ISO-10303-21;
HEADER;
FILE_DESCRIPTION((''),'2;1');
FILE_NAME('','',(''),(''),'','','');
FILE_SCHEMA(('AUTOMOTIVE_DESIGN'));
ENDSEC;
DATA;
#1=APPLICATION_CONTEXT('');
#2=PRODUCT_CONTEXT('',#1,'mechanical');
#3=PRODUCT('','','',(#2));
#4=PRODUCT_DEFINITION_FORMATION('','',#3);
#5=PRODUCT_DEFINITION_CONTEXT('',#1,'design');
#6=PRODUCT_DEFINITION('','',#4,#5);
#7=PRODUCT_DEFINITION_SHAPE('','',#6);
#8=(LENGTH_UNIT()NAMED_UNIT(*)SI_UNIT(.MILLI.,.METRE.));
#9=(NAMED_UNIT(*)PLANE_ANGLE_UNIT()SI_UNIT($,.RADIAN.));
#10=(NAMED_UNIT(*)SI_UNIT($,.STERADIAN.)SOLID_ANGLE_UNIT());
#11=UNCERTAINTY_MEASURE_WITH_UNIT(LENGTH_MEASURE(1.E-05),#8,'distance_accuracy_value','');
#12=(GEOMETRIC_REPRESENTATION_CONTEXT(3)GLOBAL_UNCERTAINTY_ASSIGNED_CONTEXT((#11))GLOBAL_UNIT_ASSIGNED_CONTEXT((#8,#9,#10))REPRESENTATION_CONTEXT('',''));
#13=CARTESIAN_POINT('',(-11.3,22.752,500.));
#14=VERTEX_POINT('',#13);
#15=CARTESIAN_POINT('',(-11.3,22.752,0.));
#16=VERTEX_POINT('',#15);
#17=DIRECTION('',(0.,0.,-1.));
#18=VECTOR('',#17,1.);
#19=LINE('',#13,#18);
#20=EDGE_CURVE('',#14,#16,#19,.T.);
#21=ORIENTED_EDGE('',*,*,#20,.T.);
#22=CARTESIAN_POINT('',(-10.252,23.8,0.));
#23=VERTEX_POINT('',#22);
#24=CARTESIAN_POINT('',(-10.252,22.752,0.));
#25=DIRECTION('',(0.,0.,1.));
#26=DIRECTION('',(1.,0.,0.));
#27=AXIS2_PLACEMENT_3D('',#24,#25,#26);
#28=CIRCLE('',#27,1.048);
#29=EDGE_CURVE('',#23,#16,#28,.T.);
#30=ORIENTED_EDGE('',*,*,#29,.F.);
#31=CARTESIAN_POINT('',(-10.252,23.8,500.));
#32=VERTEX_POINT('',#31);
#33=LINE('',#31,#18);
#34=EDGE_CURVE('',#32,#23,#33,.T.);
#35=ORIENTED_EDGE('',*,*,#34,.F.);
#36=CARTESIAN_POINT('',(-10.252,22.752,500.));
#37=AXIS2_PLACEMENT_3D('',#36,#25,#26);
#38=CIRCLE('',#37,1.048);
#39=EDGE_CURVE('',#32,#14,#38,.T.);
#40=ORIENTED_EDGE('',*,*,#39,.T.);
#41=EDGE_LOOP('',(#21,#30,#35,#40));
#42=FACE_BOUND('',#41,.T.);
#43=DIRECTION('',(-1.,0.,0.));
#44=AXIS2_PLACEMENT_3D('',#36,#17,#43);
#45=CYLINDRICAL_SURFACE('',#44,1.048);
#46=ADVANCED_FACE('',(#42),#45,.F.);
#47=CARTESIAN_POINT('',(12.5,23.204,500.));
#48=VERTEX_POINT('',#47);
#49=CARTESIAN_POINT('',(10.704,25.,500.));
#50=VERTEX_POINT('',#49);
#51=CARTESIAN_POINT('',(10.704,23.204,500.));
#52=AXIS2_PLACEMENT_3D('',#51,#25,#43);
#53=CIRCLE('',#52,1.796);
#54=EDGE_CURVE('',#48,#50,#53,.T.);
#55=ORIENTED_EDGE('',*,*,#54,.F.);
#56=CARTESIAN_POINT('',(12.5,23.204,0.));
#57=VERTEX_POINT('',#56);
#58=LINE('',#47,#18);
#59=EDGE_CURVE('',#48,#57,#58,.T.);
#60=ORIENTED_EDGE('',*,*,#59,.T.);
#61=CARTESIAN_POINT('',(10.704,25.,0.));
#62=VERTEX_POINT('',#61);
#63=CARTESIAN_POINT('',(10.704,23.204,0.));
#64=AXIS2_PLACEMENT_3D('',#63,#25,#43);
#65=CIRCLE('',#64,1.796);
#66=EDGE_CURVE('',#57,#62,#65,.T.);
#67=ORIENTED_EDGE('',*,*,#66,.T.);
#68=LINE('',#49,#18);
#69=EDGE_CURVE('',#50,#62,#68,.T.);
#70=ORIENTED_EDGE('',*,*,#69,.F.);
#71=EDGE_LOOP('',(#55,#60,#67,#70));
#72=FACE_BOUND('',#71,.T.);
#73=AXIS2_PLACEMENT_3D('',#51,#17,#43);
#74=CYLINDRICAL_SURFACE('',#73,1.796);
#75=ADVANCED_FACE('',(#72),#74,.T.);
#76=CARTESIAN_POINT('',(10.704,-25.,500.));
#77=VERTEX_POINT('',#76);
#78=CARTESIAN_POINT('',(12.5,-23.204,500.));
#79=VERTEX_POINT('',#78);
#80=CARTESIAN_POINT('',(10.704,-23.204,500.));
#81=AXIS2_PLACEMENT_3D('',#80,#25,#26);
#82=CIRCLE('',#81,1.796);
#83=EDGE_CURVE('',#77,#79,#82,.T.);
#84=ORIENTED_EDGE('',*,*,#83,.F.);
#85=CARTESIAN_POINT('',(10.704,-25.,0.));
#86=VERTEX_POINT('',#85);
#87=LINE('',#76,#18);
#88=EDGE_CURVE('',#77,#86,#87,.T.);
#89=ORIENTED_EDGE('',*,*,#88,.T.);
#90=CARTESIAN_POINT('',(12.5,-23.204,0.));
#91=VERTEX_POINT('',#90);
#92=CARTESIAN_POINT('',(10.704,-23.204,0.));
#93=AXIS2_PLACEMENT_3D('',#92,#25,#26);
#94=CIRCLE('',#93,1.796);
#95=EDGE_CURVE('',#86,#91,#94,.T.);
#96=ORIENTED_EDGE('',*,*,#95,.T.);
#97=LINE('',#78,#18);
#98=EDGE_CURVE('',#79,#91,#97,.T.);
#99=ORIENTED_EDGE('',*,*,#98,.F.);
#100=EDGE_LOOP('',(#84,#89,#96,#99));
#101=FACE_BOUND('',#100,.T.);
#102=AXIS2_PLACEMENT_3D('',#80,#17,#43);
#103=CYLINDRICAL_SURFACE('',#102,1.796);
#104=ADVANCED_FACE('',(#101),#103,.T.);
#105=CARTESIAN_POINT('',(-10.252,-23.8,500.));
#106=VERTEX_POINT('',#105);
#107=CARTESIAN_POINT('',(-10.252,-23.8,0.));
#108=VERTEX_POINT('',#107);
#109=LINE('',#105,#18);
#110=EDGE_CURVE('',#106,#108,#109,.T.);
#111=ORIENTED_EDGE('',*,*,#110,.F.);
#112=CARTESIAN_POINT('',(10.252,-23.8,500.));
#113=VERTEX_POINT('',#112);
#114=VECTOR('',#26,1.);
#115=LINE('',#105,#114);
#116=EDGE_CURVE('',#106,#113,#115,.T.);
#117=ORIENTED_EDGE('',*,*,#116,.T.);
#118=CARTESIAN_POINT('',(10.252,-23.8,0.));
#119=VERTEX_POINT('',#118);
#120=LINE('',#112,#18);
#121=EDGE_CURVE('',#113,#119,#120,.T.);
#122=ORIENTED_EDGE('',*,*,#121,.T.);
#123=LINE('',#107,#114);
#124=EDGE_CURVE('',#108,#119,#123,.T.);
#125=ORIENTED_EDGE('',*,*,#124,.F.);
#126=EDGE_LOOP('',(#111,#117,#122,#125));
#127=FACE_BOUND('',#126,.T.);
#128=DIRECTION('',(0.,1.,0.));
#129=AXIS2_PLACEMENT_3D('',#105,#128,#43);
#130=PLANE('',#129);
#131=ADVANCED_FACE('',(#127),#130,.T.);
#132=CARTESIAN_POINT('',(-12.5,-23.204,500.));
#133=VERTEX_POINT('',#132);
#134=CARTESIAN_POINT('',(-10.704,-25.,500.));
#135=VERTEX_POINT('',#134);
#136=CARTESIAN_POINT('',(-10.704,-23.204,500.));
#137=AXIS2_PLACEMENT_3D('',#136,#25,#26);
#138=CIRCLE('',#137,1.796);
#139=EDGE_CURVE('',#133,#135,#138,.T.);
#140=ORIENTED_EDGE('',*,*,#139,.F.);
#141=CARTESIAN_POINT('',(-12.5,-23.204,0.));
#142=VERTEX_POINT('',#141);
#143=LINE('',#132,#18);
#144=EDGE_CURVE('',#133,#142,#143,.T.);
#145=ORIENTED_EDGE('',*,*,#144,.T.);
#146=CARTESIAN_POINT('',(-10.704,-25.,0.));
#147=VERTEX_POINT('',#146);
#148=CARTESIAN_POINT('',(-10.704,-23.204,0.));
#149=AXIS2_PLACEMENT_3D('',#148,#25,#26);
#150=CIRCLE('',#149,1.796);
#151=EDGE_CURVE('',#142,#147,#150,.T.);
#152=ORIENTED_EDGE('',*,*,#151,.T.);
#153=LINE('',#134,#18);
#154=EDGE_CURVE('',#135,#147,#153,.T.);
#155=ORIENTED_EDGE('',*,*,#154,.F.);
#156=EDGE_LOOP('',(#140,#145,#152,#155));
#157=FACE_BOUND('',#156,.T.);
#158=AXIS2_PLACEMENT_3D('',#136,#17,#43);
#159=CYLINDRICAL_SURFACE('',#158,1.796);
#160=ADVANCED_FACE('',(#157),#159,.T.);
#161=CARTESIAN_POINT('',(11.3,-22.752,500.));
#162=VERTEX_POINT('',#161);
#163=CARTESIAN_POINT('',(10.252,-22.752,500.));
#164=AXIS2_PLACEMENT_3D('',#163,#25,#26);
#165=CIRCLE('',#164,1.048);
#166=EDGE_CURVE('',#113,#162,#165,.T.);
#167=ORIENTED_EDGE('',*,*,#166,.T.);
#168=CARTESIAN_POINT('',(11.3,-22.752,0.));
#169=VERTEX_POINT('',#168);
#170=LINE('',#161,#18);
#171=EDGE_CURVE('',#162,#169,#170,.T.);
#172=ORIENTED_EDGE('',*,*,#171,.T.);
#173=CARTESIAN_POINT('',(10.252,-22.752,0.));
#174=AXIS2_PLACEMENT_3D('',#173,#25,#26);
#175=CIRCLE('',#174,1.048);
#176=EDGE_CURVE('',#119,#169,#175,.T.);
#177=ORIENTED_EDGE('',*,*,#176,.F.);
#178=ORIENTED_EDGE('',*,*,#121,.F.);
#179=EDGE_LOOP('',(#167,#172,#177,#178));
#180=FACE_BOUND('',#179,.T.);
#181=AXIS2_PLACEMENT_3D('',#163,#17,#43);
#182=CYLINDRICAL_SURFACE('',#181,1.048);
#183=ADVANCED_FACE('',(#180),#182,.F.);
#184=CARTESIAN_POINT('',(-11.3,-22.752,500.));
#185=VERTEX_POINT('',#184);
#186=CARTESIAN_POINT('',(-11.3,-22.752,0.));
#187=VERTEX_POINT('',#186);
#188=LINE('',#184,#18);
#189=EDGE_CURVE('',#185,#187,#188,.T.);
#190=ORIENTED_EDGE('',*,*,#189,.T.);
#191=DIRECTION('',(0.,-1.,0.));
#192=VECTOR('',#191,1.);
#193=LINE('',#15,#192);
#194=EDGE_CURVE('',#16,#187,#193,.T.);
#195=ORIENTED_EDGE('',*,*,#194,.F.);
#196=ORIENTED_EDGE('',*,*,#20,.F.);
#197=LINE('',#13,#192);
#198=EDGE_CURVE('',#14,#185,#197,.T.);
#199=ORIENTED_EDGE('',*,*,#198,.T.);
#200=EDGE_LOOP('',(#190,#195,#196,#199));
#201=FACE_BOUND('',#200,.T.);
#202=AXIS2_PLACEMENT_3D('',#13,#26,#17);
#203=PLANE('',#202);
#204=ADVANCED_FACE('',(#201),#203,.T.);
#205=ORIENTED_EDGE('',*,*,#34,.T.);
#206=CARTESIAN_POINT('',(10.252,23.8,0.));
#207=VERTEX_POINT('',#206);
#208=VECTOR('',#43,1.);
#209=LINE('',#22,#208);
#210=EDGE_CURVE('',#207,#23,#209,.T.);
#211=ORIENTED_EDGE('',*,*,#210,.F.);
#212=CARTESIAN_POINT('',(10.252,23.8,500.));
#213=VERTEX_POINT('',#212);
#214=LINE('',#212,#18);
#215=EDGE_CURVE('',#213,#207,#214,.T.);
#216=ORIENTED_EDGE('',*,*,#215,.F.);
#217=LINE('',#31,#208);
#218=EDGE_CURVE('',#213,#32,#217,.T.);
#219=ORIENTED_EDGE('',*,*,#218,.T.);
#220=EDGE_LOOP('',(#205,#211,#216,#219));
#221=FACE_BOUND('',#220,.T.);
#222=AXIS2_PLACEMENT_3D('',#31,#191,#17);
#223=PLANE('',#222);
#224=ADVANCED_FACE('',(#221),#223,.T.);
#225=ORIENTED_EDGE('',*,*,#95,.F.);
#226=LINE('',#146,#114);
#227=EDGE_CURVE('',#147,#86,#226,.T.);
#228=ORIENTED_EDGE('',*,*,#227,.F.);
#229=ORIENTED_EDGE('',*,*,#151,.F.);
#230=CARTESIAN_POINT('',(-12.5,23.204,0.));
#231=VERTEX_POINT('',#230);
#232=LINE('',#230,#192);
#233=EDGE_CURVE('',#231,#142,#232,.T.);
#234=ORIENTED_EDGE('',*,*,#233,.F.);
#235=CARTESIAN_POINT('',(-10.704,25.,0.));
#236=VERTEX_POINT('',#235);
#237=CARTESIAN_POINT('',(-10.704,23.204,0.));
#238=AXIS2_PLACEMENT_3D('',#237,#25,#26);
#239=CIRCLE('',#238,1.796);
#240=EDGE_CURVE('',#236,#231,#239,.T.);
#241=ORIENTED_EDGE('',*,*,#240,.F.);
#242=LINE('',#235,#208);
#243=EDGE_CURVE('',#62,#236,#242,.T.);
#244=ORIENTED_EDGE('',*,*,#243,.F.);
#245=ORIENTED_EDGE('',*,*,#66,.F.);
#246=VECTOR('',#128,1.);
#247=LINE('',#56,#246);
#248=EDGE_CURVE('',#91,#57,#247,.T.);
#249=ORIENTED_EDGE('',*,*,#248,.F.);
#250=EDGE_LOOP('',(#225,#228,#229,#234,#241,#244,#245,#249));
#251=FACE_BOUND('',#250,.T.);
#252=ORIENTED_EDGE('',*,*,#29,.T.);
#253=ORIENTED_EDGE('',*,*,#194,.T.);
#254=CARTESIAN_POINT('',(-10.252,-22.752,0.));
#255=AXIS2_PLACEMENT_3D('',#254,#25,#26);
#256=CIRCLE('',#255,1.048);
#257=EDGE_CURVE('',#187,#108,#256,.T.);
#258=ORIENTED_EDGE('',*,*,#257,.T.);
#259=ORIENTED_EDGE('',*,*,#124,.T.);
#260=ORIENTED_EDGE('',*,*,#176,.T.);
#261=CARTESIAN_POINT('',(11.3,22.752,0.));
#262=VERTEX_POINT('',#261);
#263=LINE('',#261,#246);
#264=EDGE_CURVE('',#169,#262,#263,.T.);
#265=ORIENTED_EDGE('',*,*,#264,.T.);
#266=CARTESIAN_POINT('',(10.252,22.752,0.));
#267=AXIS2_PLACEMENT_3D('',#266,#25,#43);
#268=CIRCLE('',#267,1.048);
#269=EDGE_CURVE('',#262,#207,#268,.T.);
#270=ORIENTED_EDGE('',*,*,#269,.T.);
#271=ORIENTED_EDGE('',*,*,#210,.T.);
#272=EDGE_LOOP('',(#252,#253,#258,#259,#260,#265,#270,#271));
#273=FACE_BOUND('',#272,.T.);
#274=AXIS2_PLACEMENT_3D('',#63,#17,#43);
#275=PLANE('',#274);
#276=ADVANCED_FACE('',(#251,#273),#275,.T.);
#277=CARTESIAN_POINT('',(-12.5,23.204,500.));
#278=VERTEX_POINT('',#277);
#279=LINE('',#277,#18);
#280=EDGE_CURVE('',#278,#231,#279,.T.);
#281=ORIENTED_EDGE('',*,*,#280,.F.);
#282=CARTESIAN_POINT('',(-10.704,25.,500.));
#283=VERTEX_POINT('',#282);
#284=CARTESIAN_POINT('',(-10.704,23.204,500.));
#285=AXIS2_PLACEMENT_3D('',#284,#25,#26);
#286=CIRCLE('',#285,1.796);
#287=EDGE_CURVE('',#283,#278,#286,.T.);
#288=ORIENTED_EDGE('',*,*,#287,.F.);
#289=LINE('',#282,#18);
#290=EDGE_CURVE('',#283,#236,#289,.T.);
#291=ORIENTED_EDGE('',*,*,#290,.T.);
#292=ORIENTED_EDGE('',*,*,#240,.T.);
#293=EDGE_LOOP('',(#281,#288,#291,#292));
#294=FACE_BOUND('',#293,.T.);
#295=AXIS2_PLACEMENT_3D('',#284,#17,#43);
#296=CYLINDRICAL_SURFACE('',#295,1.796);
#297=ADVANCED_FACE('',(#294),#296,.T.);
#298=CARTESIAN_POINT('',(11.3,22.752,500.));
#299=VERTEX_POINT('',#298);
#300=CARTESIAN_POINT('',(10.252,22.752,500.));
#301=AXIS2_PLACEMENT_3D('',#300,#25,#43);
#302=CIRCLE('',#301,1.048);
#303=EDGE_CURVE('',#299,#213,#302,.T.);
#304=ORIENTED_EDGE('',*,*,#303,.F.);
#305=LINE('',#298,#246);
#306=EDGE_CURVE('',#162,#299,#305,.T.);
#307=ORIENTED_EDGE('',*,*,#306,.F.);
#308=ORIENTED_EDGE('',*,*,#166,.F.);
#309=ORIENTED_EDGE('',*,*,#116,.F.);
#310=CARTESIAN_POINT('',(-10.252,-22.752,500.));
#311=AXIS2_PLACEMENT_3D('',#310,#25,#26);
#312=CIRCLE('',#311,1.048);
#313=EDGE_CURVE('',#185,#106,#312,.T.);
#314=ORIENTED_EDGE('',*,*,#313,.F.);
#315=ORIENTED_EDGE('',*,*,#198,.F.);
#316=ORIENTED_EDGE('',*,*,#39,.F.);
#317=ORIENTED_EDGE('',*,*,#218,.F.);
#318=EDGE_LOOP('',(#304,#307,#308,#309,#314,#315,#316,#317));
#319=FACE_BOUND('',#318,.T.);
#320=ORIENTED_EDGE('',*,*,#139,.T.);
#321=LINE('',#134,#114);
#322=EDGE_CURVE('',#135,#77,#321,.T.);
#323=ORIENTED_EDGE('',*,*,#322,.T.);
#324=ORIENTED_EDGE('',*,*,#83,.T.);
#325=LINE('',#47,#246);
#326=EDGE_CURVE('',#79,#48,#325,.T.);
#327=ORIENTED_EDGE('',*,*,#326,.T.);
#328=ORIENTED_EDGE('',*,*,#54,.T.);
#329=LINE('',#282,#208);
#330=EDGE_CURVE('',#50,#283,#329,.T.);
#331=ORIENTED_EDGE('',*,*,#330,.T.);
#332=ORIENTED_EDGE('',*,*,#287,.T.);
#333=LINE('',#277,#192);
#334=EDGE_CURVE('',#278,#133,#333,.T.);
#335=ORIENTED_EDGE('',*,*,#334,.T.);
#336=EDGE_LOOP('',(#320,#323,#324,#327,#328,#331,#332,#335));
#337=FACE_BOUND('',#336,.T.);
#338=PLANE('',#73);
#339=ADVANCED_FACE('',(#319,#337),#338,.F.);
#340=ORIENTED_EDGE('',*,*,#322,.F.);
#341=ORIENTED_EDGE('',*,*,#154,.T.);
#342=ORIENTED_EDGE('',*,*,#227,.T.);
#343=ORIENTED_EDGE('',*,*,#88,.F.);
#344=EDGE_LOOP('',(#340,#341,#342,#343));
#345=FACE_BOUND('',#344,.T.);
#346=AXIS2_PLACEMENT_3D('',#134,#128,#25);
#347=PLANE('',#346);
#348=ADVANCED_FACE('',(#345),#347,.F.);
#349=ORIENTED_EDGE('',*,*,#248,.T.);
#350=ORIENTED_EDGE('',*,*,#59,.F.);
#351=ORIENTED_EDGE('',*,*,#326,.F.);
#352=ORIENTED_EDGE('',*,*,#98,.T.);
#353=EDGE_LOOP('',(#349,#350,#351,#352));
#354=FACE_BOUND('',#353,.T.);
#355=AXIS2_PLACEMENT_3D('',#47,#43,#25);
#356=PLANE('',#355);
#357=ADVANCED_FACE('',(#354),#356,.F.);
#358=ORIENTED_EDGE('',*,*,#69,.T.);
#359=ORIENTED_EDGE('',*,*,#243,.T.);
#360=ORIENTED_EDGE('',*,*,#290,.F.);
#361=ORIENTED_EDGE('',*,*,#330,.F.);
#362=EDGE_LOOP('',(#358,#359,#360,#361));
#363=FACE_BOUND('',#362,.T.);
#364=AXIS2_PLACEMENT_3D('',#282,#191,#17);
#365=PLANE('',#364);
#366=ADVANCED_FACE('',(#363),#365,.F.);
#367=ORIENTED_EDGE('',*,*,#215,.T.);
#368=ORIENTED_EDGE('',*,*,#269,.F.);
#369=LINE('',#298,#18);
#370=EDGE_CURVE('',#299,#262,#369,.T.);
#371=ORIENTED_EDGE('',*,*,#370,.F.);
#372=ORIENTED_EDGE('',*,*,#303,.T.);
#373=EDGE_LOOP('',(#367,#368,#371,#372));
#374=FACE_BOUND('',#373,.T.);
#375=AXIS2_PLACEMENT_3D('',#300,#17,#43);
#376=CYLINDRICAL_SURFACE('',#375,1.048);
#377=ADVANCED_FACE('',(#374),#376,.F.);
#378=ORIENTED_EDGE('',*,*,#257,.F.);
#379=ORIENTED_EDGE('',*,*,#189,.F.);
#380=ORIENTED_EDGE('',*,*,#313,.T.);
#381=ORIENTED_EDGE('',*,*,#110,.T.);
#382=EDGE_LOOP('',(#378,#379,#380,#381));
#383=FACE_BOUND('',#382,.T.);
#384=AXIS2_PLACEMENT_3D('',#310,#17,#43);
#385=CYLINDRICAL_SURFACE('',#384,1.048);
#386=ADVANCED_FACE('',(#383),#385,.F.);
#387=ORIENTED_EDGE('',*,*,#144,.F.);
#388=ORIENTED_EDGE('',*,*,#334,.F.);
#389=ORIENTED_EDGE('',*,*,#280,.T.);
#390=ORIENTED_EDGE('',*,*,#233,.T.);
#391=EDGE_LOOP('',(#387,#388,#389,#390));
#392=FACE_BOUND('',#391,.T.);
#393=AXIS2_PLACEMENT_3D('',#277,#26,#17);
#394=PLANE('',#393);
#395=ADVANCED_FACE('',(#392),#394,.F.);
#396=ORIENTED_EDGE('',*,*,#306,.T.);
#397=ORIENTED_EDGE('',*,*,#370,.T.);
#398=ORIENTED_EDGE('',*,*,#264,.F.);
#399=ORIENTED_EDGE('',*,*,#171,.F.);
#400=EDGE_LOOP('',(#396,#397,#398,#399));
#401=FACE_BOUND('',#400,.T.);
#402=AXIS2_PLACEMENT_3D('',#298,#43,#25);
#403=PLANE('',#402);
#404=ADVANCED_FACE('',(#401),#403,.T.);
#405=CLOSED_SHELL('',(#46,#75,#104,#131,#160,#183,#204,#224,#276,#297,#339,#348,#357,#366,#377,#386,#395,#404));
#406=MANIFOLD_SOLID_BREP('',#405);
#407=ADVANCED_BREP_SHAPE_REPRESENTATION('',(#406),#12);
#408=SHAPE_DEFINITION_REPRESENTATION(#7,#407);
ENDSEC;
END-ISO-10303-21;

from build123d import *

# Parameters (mm, degrees)
EXTRUDE_1_DEPTH = 500


with BuildPart() as part:
    # 草图1 → 拉伸1 (new body)
    with BuildSketch(Plane.XY):
        with BuildLine():
            Line((-10.704, 25), (10.704, 25))
            ThreePointArc((10.704, 25), (11.973963779, 24.473963779), (12.5, 23.204))
            Line((12.5, 23.204), (12.5, -23.204))
            ThreePointArc((12.5, -23.204), (11.973963779, -24.473963779), (10.704, -25))
            Line((10.704, -25), (-10.704, -25))
            ThreePointArc((-10.704, -25), (-11.973963779, -24.473963779), (-12.5, -23.204))
            Line((-12.5, -23.204), (-12.5, 23.204))
            ThreePointArc((-12.5, 23.204), (-11.973963779, 24.473963779), (-10.704, 25))
        make_face()
        with BuildLine():
            Line((-10.252, 23.8), (10.252, 23.8))
            ThreePointArc((10.252, 23.8), (10.993047907, 23.493047907), (11.3, 22.752))
            Line((11.3, 22.752), (11.3, -22.752))
            ThreePointArc((11.3, -22.752), (10.993047907, -23.493047907), (10.252, -23.8))
            Line((10.252, -23.8), (-10.252, -23.8))
            ThreePointArc((-10.252, -23.8), (-10.993047907, -23.493047907), (-11.3, -22.752))
            Line((-11.3, -22.752), (-11.3, 22.752))
            ThreePointArc((-11.3, 22.752), (-10.993047907, 23.493047907), (-10.252, 23.8))
        make_face(mode=Mode.SUBTRACT)
    extrude(amount=EXTRUDE_1_DEPTH)


solid = part.part
